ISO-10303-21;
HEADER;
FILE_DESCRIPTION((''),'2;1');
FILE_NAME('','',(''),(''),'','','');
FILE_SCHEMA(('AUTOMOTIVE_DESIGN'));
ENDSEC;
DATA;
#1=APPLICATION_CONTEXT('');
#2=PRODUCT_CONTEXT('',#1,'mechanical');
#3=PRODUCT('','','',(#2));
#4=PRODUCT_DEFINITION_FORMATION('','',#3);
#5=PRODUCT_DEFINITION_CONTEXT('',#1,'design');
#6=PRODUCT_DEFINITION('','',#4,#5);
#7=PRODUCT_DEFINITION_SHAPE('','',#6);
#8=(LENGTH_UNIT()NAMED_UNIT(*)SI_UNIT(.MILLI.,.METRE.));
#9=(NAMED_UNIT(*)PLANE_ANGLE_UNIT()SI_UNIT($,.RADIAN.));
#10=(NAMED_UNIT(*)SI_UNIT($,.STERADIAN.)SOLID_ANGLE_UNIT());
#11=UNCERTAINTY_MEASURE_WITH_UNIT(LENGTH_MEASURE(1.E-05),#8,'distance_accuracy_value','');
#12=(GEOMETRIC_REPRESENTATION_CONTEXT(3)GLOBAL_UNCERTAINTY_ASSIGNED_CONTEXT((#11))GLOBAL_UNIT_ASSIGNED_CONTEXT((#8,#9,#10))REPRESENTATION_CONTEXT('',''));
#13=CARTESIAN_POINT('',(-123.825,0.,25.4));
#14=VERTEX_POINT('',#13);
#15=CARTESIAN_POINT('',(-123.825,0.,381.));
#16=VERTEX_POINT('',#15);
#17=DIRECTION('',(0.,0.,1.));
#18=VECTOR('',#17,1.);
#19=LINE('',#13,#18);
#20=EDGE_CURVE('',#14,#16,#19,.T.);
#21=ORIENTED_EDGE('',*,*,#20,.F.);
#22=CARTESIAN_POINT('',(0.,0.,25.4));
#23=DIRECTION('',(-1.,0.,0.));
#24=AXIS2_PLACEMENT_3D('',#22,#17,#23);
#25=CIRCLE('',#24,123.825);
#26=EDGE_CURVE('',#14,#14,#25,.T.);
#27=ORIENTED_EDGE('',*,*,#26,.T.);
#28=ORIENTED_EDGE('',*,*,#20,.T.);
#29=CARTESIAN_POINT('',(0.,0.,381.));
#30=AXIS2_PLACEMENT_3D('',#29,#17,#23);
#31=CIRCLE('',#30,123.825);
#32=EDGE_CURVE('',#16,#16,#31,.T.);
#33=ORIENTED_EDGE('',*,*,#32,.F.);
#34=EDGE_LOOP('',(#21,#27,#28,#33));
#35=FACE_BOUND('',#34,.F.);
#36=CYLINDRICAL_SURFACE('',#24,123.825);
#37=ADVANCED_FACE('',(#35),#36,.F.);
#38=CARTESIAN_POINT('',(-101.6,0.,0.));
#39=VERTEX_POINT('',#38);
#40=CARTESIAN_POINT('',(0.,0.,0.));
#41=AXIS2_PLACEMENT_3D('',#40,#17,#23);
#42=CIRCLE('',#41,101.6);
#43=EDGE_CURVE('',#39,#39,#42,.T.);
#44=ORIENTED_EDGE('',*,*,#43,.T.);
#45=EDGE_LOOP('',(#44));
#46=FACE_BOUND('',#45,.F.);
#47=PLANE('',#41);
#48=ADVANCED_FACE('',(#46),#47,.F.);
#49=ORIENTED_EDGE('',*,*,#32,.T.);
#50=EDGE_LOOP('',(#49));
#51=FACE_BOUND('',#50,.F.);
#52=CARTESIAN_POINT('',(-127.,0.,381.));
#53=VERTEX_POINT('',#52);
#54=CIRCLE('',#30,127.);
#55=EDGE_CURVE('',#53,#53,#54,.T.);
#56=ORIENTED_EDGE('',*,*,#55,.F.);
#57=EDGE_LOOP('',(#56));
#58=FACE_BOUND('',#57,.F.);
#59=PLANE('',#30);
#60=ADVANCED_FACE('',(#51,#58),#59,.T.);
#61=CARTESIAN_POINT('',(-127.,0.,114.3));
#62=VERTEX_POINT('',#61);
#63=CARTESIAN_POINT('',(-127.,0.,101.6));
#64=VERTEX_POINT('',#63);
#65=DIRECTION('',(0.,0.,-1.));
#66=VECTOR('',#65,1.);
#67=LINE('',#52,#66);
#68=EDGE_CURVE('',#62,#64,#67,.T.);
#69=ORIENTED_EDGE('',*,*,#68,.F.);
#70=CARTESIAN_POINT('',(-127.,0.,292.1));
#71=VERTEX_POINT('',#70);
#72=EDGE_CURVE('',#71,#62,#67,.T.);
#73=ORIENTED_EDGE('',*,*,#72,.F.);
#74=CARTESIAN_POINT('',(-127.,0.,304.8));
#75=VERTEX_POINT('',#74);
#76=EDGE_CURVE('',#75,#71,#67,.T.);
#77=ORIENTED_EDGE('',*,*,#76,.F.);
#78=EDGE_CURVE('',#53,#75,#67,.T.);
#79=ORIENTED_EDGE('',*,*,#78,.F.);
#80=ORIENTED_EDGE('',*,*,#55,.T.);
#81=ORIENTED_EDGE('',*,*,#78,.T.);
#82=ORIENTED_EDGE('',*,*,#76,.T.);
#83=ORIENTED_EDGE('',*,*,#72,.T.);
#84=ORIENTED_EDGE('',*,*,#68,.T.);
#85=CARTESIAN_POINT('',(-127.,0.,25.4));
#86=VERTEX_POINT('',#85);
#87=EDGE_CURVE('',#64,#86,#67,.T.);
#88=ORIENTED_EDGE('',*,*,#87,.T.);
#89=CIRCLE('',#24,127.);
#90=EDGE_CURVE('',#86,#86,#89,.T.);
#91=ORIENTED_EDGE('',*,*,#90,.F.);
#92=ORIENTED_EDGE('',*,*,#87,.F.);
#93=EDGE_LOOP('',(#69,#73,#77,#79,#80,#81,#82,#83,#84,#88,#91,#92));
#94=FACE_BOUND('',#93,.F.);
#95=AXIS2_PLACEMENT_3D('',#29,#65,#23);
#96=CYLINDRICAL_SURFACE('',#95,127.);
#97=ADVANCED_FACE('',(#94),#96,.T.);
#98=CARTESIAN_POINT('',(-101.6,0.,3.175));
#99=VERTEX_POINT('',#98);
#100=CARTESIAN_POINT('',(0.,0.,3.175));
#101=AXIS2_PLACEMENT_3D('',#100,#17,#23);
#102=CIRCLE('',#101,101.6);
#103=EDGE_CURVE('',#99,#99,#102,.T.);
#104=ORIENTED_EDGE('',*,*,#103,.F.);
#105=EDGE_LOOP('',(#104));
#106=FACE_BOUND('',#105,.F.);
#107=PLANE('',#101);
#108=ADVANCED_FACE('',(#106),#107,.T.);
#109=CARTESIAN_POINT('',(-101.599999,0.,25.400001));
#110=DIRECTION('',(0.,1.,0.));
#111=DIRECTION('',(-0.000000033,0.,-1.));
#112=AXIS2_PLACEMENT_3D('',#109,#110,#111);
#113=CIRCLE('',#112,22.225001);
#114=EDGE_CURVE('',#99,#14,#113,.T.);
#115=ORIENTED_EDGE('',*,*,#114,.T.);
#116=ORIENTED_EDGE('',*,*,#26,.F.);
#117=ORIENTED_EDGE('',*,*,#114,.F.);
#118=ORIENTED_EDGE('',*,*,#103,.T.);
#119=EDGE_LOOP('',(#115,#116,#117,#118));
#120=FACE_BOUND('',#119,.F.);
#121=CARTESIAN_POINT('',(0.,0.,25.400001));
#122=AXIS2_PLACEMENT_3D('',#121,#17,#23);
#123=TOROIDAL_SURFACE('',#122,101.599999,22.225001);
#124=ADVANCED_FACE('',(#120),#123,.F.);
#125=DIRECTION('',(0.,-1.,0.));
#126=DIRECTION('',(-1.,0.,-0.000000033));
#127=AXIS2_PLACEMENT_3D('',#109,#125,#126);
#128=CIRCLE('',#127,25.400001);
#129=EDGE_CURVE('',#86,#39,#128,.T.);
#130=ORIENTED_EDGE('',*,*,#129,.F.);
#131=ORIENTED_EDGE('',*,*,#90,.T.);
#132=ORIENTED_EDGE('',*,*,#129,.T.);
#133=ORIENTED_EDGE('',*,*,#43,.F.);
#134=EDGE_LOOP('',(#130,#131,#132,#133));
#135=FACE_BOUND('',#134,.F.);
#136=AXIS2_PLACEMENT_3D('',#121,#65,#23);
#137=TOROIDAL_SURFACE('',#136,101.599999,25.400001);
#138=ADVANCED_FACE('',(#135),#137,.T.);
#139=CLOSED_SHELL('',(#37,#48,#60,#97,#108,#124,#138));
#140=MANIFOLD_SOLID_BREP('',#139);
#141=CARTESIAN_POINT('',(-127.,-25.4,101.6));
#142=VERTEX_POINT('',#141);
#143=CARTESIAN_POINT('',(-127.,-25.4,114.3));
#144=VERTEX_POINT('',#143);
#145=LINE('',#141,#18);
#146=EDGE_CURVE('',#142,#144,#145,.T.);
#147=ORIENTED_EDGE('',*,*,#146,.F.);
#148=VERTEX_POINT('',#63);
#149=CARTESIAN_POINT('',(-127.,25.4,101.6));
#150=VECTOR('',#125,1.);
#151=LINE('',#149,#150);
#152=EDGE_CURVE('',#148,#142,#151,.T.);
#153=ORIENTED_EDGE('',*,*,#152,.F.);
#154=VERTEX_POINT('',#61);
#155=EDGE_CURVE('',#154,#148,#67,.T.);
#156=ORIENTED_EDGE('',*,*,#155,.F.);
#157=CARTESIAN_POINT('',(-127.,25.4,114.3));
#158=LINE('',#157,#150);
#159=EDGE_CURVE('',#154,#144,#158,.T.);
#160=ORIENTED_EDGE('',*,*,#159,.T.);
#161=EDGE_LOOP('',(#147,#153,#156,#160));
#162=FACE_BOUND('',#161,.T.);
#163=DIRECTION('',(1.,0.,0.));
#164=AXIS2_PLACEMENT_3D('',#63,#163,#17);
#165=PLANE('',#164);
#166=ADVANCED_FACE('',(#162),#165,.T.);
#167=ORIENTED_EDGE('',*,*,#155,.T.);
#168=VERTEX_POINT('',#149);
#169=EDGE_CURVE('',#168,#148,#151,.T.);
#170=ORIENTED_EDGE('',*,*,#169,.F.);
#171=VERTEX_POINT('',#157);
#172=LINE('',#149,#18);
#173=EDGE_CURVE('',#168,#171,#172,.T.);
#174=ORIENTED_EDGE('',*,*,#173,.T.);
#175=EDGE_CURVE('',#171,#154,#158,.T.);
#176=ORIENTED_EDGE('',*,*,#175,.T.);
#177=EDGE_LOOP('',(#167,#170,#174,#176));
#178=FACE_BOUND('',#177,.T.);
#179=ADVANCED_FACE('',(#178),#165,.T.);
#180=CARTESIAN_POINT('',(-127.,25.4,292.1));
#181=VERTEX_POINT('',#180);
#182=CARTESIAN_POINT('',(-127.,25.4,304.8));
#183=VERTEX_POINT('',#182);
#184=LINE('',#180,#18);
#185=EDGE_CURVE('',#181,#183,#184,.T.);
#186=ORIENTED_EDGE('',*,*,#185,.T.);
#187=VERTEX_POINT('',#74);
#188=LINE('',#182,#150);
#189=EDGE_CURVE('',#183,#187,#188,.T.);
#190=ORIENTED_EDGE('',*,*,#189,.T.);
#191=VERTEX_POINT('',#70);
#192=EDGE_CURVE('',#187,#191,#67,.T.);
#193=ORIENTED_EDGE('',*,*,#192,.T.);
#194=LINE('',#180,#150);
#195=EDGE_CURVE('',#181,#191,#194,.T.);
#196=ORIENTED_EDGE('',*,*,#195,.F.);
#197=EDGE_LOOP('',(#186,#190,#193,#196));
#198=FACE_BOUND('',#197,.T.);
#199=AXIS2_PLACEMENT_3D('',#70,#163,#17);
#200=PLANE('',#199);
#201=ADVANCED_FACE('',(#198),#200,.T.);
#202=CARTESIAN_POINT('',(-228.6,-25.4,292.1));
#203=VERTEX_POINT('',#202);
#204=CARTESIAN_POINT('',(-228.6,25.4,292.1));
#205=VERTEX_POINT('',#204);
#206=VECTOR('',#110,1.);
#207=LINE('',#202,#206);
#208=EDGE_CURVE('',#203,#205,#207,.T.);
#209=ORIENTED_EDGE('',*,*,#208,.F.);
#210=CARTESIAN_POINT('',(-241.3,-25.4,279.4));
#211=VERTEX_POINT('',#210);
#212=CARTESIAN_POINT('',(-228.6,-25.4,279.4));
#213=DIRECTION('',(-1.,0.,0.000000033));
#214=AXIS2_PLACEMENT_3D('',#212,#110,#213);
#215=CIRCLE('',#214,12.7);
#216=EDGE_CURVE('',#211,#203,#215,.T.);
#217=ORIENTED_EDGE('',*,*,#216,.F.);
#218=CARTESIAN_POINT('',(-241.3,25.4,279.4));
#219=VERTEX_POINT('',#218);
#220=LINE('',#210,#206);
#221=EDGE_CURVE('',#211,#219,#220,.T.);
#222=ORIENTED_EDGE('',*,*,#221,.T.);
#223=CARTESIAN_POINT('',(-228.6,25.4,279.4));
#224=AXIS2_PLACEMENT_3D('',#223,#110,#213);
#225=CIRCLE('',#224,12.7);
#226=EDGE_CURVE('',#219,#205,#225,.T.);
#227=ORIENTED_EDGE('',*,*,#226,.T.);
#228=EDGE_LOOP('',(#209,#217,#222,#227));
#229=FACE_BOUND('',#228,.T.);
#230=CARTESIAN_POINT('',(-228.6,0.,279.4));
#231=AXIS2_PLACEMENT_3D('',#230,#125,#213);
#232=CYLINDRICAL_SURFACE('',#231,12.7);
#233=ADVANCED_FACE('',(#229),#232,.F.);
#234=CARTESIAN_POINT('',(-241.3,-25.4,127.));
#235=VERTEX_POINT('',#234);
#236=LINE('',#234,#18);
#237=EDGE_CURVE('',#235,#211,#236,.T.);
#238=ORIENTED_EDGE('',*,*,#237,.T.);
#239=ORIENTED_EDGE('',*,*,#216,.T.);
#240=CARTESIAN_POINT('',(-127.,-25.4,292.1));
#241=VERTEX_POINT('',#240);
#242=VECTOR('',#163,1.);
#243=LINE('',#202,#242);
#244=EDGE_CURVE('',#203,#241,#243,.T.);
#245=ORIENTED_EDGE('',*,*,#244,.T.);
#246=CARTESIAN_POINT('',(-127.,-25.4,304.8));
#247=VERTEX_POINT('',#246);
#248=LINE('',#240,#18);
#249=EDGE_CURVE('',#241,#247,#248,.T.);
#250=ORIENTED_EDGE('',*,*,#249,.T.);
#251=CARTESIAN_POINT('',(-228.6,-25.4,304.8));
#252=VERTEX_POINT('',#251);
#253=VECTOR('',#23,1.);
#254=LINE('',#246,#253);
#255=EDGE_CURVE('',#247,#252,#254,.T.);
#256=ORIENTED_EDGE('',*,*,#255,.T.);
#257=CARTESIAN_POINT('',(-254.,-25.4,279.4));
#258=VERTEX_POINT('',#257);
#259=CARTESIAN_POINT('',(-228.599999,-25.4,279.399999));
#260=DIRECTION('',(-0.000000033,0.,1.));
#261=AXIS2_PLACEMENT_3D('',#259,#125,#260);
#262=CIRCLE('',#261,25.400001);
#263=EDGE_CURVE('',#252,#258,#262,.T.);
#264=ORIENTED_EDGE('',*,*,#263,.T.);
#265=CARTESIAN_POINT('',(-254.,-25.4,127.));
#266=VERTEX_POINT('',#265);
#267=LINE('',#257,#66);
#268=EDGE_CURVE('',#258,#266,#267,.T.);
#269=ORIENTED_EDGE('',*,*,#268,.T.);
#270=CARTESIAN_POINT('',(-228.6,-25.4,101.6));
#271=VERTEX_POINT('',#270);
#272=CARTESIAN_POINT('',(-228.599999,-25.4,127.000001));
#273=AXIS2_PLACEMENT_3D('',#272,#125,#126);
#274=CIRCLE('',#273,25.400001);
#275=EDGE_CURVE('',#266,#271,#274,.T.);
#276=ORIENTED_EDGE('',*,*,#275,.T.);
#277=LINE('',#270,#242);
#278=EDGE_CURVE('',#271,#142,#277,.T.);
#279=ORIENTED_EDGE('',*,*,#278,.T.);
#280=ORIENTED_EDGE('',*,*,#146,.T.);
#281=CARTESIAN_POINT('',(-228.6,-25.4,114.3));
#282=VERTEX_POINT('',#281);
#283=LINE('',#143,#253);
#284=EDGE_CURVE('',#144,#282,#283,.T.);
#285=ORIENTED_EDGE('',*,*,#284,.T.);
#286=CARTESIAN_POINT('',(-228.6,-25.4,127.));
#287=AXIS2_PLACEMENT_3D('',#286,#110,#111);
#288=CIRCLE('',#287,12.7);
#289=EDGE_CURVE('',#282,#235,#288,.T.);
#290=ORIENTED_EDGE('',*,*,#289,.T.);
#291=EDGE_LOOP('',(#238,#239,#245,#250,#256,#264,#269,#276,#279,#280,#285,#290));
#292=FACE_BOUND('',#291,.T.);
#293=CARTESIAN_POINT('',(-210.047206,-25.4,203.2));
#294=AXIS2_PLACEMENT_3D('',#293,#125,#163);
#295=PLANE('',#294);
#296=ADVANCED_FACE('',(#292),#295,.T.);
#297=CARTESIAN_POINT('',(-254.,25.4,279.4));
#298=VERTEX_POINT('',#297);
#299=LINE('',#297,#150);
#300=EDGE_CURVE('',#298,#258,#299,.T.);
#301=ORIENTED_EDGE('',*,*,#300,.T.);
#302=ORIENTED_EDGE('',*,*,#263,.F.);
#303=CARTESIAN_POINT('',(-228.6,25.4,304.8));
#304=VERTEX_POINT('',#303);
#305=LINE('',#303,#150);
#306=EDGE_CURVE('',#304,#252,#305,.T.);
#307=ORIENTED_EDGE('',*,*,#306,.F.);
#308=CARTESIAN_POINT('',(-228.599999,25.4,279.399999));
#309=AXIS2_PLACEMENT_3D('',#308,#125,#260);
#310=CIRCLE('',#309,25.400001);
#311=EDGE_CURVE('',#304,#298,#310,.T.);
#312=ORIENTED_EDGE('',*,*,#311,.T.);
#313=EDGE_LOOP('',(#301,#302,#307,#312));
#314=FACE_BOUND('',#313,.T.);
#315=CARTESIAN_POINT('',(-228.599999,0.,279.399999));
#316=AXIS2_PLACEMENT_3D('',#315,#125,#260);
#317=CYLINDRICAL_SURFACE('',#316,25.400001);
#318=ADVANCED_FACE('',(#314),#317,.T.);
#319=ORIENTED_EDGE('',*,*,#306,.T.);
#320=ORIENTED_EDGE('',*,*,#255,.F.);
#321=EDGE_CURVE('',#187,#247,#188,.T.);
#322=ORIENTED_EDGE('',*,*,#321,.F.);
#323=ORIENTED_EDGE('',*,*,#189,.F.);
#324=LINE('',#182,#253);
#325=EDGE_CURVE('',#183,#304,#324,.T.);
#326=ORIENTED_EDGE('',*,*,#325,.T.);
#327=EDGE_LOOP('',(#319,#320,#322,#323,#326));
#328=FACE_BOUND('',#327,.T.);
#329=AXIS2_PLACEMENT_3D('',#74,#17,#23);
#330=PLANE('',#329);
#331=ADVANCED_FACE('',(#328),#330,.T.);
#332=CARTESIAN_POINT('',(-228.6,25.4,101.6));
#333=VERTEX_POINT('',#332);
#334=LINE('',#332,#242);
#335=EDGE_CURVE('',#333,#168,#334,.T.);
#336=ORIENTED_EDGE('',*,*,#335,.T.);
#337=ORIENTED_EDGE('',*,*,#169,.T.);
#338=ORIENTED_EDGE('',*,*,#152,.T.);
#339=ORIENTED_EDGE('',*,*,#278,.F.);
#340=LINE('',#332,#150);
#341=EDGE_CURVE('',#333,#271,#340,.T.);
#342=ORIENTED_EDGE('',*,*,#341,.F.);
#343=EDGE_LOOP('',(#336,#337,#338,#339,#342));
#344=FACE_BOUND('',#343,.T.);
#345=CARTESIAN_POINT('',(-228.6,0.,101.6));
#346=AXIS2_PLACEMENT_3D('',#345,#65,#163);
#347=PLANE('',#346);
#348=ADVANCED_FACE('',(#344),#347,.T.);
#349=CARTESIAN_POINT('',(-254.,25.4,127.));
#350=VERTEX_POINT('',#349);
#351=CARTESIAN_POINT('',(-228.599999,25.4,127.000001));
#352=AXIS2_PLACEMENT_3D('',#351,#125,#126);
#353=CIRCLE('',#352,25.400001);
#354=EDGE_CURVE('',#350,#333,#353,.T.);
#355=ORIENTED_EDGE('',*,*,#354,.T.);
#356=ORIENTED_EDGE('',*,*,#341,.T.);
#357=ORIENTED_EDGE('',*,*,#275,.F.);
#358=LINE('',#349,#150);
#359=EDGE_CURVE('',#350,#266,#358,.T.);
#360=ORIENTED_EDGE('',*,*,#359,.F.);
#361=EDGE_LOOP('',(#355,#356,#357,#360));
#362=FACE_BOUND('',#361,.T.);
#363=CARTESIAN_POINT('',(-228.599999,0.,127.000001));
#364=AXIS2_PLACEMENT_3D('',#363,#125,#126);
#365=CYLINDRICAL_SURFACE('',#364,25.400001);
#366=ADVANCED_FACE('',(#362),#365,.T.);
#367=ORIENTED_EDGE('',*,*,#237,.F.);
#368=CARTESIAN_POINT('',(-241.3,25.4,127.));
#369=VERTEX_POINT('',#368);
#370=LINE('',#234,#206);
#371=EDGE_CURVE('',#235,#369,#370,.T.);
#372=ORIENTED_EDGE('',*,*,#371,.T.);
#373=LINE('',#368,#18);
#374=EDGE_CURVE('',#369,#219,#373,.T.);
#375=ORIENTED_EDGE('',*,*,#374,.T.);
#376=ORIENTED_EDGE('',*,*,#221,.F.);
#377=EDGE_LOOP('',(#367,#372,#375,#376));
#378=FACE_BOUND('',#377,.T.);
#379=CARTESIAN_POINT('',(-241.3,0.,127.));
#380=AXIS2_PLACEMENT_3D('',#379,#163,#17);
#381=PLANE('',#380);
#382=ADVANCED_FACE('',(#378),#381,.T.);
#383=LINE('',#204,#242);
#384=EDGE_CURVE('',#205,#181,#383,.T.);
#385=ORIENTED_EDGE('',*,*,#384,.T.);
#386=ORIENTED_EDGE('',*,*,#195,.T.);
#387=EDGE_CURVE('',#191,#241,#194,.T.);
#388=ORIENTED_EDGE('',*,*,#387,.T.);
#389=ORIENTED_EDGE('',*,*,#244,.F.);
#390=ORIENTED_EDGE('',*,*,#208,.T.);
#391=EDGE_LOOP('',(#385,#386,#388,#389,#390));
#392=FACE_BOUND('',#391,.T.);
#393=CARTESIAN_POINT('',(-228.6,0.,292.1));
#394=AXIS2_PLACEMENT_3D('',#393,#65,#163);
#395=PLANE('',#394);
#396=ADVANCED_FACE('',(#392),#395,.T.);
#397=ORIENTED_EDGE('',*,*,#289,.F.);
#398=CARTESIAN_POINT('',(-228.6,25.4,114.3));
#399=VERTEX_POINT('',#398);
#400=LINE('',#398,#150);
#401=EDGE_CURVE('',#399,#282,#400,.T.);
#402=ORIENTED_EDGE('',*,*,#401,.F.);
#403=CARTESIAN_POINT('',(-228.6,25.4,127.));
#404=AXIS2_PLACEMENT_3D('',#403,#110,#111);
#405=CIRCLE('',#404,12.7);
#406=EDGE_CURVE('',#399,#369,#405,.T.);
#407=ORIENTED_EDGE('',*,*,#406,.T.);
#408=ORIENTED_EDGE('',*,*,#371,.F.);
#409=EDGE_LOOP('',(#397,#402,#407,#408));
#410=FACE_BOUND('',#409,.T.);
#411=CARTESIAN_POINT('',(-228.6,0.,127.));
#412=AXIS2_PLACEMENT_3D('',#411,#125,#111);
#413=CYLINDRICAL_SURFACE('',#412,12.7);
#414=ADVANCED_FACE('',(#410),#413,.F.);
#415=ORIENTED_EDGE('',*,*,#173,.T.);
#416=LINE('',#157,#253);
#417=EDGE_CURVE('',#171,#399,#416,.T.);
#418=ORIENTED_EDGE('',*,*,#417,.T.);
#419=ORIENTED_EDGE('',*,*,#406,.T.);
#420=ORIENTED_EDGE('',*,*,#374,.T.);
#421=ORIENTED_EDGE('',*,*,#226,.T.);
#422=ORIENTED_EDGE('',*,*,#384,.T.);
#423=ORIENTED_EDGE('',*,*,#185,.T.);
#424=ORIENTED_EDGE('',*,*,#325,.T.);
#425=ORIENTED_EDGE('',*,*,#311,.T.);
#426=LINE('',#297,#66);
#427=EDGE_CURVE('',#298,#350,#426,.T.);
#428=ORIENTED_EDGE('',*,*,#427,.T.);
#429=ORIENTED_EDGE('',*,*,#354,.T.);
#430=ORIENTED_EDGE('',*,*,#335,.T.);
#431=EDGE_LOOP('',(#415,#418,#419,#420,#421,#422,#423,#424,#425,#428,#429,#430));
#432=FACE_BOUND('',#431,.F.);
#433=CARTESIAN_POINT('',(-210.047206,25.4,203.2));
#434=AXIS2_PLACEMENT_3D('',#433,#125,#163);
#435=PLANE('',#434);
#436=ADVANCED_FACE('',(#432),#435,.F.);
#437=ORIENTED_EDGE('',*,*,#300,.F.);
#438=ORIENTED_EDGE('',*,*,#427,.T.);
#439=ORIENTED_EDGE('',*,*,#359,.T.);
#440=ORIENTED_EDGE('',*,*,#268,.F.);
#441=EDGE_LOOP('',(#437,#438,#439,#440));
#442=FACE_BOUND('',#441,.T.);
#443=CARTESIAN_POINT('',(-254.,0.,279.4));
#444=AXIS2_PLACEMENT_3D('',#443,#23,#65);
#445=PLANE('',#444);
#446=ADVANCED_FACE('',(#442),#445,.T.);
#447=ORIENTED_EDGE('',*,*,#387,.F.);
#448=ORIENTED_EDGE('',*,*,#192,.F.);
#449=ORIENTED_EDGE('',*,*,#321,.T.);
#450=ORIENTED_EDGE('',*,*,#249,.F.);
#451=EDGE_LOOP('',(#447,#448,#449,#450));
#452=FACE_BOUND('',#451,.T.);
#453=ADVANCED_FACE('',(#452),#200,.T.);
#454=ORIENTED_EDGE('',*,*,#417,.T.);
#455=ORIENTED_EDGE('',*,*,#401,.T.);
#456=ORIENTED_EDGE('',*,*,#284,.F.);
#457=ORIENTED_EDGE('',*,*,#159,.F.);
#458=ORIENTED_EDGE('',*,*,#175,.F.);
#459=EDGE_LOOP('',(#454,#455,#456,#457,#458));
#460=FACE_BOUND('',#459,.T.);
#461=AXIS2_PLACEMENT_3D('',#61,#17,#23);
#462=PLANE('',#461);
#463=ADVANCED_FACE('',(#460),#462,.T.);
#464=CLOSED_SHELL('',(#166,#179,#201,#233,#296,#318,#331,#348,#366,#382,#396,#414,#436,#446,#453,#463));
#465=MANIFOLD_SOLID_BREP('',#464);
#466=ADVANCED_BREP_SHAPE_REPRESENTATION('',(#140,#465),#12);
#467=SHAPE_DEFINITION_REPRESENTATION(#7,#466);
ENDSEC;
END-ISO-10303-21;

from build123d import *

# Parameters (mm, degrees)
F4_DEPTH = 25.4


with BuildPart() as f1:
    # F0 (on Front) → F1 (revolve)
    with BuildSketch(Plane.XZ):
        with BuildLine():
            Line((-101.6, 0), (0, 0))
            Line((0, 0), (0, 3.175))
            Line((0, 3.175), (-101.6, 3.175))
            ThreePointArc((-101.6, 3.175), (-117.315448, 9.684552), (-123.825, 25.4))
            Line((-123.825, 25.4), (-123.825, 381))
            Line((-123.825, 381), (-127, 381))
            Line((-127, 381), (-127, 25.4))
            ThreePointArc((-127, 25.4), (-119.560512, 7.439488), (-101.6, 0))
        make_face()
    revolve(axis=Axis((0, 0, 67.008436), (0, 0, 1)))

    # F3 (on Front) → F4 (join, symmetric)
    with BuildSketch(Plane.XZ):
        with BuildLine():
            Line((-228.6, 292.1), (-127, 292.1))
            Line((-127, 292.1), (-127, 304.8))
            Line((-127, 304.8), (-228.6, 304.8))
            ThreePointArc((-228.6, 304.8), (-246.560512, 297.360512), (-254, 279.4))
            Line((-254, 279.4), (-254, 127))
            ThreePointArc((-254, 127), (-246.560512, 109.039488), (-228.6, 101.6))
            Line((-228.6, 101.6), (-127, 101.6))
            Line((-127, 101.6), (-127, 114.3))
            Line((-127, 114.3), (-228.6, 114.3))
            ThreePointArc((-228.6, 114.3), (-237.580256, 118.019744), (-241.3, 127))
            Line((-241.3, 127), (-241.3, 279.4))
            ThreePointArc((-241.3, 279.4), (-237.580256, 288.380256), (-228.6, 292.1))
        make_face()
    extrude(amount=F4_DEPTH, both=True)


solid = f1.part
